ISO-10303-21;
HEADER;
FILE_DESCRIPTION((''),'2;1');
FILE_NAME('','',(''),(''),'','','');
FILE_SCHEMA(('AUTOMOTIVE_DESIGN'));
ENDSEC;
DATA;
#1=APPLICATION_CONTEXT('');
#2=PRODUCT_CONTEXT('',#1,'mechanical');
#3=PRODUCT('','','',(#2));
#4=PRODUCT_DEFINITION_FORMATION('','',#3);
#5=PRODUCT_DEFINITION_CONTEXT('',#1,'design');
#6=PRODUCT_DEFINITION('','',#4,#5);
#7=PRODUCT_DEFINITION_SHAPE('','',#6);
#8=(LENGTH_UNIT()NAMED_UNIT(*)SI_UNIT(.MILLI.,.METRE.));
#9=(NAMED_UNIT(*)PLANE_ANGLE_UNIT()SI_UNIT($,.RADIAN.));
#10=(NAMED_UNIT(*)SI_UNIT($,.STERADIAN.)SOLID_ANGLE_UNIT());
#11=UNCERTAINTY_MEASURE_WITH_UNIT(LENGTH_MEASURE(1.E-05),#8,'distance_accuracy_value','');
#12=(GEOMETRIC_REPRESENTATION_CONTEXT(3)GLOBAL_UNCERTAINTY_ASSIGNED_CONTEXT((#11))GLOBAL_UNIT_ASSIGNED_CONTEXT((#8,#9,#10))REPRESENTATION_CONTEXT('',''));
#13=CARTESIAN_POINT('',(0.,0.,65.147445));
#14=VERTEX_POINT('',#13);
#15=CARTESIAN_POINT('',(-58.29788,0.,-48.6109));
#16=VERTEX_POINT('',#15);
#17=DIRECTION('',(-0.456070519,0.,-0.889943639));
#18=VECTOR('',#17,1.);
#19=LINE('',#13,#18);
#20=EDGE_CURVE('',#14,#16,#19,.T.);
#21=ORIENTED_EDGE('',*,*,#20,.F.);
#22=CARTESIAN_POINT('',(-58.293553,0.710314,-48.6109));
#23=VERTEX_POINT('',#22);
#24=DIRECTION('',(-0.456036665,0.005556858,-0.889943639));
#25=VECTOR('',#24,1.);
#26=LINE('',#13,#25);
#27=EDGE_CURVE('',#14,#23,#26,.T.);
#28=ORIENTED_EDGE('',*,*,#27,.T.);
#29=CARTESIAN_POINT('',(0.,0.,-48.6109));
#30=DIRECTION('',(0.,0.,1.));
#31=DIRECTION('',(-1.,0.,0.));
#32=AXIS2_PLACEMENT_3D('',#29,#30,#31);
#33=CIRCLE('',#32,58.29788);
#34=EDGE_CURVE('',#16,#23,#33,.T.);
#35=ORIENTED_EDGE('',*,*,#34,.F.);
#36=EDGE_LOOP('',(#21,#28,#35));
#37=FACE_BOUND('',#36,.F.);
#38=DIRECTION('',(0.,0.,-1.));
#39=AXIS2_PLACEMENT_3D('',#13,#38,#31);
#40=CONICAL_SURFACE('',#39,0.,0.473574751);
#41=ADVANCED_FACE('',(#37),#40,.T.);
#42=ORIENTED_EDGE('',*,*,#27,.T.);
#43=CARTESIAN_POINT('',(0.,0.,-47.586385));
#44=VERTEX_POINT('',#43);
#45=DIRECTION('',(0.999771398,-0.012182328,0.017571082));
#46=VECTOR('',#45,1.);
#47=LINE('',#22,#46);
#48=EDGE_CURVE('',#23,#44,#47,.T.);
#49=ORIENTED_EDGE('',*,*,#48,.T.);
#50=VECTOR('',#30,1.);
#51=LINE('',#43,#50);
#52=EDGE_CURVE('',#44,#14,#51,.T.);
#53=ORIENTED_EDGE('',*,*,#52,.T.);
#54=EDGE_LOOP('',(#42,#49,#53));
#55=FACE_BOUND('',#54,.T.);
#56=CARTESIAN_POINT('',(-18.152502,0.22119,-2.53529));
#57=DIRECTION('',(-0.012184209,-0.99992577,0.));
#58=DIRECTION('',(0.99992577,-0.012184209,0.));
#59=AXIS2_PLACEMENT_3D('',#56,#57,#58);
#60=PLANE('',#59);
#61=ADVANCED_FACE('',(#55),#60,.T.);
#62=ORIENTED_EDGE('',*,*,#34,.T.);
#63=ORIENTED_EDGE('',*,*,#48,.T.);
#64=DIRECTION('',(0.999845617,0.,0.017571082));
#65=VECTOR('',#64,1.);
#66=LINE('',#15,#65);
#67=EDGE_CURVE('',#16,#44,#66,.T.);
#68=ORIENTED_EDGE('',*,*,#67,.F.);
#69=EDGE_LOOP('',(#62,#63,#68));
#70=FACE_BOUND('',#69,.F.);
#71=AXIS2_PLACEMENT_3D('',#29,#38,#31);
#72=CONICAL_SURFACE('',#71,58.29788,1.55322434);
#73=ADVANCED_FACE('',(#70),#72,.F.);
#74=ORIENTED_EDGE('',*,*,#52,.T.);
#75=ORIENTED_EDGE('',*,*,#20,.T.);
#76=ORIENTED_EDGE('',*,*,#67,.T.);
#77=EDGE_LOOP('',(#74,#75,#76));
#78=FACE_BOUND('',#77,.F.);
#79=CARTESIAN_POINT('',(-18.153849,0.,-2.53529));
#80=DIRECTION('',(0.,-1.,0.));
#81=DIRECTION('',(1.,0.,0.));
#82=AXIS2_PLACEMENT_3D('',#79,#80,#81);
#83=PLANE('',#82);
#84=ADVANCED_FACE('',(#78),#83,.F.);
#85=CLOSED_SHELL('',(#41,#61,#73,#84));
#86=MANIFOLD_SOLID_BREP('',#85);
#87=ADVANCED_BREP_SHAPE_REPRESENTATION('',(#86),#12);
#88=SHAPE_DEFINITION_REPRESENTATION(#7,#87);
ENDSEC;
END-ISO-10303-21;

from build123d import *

# Parameters (mm, degrees)
F1_ANGLE = -359.301879


with BuildPart() as f1:
    # F0 (on Front) → F1 (revolve)
    with BuildSketch(Plane.XZ):
        Polygon((0, -47.586385), (0, 65.147445), (-58.29788, -48.6109), align=None)
    revolve(axis=Axis((0, 0, 8.78053), (0, 0, -1)), revolution_arc=F1_ANGLE)


solid = f1.part
